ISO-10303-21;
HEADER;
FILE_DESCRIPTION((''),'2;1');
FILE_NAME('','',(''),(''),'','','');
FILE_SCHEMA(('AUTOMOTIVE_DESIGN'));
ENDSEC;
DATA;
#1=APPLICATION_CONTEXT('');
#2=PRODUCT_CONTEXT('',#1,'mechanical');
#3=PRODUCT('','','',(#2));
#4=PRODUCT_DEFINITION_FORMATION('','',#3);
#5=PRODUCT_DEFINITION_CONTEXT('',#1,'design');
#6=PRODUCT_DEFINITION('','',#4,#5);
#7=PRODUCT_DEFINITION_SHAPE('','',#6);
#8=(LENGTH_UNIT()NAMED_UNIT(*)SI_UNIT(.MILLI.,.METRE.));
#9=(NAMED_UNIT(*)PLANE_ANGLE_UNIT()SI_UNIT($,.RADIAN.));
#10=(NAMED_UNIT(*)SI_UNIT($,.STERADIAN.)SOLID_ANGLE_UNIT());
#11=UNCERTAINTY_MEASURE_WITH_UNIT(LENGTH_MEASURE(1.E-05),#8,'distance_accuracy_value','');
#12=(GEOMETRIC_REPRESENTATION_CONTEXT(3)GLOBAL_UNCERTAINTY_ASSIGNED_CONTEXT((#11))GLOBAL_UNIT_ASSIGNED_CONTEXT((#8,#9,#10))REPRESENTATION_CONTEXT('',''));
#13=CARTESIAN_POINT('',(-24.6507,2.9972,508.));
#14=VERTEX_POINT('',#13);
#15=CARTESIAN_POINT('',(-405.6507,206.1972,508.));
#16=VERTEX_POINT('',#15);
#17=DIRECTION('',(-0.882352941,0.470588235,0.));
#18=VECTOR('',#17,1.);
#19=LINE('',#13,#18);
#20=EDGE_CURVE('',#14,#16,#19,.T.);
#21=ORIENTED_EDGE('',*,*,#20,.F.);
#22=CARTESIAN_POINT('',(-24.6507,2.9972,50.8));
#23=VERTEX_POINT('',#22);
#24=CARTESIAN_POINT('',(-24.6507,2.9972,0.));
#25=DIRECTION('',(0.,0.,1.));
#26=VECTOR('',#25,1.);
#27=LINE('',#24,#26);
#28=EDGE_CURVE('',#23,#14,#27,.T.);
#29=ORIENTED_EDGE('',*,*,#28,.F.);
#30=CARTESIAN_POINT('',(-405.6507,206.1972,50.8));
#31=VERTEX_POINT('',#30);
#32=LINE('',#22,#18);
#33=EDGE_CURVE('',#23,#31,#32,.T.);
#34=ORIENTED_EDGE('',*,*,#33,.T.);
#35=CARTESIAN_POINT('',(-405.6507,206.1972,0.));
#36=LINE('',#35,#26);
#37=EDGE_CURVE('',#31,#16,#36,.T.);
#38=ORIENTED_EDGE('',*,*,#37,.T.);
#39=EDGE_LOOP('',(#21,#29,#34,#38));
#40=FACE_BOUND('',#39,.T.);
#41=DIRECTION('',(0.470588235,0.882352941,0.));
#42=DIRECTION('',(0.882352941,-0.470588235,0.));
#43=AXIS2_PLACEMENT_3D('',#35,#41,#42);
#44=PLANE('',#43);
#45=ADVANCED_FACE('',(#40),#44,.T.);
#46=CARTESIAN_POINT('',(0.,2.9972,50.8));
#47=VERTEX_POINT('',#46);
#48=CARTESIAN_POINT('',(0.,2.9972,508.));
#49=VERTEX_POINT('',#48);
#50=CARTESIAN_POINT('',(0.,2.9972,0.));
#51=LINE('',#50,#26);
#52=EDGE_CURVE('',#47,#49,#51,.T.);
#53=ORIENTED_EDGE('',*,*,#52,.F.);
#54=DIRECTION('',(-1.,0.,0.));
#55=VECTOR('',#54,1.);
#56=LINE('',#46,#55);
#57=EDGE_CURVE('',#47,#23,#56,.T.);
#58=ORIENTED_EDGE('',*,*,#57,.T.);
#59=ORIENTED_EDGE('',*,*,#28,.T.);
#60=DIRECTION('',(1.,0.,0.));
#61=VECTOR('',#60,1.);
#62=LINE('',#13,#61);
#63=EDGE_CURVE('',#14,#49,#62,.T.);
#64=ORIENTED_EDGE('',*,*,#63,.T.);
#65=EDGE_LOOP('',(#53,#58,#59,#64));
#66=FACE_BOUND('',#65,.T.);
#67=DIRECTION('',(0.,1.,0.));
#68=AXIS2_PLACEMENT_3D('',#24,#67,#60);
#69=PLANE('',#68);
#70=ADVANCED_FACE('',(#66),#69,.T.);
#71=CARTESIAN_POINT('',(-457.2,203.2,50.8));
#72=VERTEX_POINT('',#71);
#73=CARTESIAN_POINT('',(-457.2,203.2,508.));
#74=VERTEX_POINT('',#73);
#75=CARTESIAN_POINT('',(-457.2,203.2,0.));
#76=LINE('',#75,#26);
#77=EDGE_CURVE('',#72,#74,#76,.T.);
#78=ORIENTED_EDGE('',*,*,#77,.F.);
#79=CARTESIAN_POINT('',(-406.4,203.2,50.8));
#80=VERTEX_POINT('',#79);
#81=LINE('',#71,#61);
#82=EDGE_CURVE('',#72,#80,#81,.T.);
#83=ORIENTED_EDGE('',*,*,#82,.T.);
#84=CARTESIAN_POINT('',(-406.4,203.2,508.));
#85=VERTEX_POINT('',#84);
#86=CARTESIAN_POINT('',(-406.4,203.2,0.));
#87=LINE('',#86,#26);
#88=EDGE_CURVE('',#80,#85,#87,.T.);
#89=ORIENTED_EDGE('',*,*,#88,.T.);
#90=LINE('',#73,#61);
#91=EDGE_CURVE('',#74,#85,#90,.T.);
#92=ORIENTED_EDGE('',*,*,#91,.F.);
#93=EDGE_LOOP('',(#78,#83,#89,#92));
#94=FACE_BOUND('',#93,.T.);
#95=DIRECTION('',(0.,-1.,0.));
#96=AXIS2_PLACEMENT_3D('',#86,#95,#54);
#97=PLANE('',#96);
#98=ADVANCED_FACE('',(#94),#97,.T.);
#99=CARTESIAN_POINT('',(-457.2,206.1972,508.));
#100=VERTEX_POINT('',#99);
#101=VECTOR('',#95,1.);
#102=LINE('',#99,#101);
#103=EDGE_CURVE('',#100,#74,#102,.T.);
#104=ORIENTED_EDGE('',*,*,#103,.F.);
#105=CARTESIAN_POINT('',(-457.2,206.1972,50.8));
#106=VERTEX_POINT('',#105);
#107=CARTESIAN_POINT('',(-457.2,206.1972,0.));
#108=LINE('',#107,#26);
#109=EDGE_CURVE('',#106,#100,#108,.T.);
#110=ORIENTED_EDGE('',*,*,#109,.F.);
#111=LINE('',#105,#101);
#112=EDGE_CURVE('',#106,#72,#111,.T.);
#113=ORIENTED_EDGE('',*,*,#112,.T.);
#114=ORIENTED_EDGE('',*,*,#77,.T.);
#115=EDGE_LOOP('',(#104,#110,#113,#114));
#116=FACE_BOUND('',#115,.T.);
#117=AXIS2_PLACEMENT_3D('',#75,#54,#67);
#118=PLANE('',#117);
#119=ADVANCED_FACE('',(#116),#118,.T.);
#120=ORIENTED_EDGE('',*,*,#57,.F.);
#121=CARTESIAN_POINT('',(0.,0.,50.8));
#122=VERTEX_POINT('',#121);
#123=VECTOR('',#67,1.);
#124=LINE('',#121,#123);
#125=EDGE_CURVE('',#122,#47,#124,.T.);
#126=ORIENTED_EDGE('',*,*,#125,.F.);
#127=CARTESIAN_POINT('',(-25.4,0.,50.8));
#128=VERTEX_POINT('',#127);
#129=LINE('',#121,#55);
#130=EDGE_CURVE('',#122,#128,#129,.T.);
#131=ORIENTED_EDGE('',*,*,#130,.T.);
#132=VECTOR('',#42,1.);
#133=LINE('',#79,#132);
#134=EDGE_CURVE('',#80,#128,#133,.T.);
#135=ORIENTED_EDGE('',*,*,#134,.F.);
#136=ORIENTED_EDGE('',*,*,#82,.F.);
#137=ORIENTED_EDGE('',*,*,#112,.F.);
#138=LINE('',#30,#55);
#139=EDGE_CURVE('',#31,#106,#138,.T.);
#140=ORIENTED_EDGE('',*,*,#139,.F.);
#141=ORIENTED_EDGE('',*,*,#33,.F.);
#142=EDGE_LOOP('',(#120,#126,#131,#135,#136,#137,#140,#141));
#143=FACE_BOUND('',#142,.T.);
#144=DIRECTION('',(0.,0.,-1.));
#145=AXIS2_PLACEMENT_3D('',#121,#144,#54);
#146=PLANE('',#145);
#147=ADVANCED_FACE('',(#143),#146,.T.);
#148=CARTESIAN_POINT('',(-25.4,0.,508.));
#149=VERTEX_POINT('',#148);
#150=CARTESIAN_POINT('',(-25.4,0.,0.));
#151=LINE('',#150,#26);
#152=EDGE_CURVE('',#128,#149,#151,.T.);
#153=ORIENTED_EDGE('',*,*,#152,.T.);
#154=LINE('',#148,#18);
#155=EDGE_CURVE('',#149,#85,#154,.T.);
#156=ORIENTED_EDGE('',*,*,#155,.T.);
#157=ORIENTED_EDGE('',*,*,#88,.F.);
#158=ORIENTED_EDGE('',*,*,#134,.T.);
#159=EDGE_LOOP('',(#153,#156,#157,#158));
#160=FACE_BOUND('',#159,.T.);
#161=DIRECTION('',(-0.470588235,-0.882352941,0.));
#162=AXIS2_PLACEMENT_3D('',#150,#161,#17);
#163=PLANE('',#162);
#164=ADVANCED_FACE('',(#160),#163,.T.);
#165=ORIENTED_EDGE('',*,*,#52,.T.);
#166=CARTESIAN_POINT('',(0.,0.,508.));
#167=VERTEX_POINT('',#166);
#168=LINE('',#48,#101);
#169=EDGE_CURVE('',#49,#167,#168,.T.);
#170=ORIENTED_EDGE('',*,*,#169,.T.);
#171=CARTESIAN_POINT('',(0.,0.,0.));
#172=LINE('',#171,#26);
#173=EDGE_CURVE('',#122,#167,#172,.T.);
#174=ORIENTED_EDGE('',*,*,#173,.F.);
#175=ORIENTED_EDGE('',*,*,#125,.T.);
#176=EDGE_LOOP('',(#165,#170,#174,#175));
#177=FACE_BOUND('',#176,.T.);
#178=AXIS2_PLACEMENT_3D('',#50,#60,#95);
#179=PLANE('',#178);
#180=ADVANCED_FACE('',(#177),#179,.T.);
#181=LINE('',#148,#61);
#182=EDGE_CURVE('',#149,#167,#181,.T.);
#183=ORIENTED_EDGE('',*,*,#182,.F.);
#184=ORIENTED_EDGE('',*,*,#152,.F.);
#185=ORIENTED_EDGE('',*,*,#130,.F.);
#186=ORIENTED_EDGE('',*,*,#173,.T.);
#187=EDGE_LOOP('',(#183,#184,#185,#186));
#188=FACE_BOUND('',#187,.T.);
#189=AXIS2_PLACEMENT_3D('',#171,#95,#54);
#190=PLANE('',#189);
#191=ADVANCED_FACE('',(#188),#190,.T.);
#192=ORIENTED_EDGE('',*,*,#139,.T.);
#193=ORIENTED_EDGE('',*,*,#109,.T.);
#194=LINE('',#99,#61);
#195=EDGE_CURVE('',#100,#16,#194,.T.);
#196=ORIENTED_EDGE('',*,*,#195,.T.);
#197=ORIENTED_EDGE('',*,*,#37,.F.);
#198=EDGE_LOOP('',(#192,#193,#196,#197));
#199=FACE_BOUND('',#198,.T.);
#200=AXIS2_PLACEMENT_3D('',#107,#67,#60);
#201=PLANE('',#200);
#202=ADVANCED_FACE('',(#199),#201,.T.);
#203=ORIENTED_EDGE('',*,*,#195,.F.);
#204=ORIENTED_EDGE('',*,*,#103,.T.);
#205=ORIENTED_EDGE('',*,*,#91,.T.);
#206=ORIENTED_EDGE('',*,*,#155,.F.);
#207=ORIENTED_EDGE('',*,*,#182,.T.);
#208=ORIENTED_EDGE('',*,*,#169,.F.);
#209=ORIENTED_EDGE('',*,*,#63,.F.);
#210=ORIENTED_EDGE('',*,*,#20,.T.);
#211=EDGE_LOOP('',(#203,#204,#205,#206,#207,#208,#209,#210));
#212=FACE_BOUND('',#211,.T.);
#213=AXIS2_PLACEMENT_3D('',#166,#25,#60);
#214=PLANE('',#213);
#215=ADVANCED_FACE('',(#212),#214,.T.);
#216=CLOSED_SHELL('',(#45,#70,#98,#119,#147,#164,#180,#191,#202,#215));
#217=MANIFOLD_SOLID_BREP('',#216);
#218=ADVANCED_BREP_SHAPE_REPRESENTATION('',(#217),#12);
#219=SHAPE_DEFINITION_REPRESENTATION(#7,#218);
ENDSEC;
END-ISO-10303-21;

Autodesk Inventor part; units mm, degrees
ref_plane "YZ Plane" through (0, 0, 0) normal (1, 0, 0) x (0, 1, 0)
ref_plane "XZ Plane" through (0, 0, 0) normal (0, 1, 0) x (-1, 0, 0)
ref_plane "XY Plane" through (0, 0, 0) normal (0, 0, 1) x (1, 0, 0)
sketch "Sketch1" plane through (0, 0, 0) normal (0, 0, 1) x (1, 0, 0)
  line L0 (0, 0) -> (-25.4, 0)
  line L1 (-25.4, 0) -> (-406.4, 203.2)
  line L2 (-406.4, 203.2) -> (-457.2, 203.2)
  line L3 (-457.2, 203.2) -> (-457.2, 206.1972)
  line L4 (-457.2, 206.1972) -> (-405.6507, 206.1972)
  line L5 (-405.6507, 206.1972) -> (-24.6507, 2.9972)
  line L6 (-24.6507, 2.9972) -> (0, 2.9972)
  line L7 (0, 2.9972) -> (0, 0)
  line L8 (-406.4, 203.2) -> (-405.6507, 206.1972) construction
  line L9 (-24.6507, 2.9972) -> (-25.4, 0) construction
  line L10 (0, 0) -> (-457.2, 0) construction
  line L11 (-457.2, 0) -> (-457.2, 206.1972) construction
  line L12 (-457.2, 206.1972) -> (0, 206.1972) construction
  line L13 (0, 206.1972) -> (0, 0) construction
  line L14 (-406.4, 203.2) -> (-449.1958, 32.0169) construction
  dimension "d0" = 2.9972
  dimension "d1" = 2.9972
  dimension "d2" = 381
  dimension "d3" = 203.2
  dimension "d5" = 50.8
  dimension "d6" = 25.4
  dimension "d7" = 151.928
extrude "Extrusion1" add sketch "Sketch1" along normal blind 558.8
sketch "Sketch2" plane through (0, 0, 558.8) normal (0, 0, 1) x (1, 0, 0)
  line L0 (-25.4, 0) -> (0, 0) projected
  line L1 (0, 0) -> (-25.4, 0)
  line L2 (-457.2, 203.2) -> (-406.4, 203.2) projected
  line L3 (-25.4, 0) -> (-406.4, 203.2)
  line L4 (-406.4, 203.2) -> (-457.2, 203.2)
  line L5 (-457.2, 206.1972) -> (-457.2, 203.2) projected
  line L6 (-457.2, 203.2) -> (-457.2, 206.1972)
  line L7 (-24.6507, 2.9972) -> (-405.6507, 206.1972) projected
  line L8 (-457.2, 206.1972) -> (-405.6507, 206.1972)
  line L9 (-405.6507, 206.1972) -> (-24.6507, 2.9972)
  line L10 (-24.6507, 2.9972) -> (0, 2.9972)
  line L11 (0, 2.9972) -> (0, 0)
extrude "Extrusion2" cut sketch "Sketch2" against normal blind 50.8
sketch "Sketch3" plane through (0, 0, 0) normal (0, 0, -1) x (-1, 0, 0)
  line L0 (406.4, 203.2) -> (25.4, 0) projected
  line L1 (0, 0) -> (25.4, 0)
  line L2 (25.4, 0) -> (406.4, 203.2)
  line L3 (457.2, 203.2) -> (406.4, 203.2) projected
  line L4 (406.4, 203.2) -> (457.2, 203.2)
  line L5 (457.2, 206.1972) -> (457.2, 203.2) projected
  line L6 (457.2, 203.2) -> (457.2, 206.1972)
  line L7 (405.6507, 206.1972) -> (457.2, 206.1972) projected
  line L8 (457.2, 206.1972) -> (405.6507, 206.1972)
  line L9 (24.6507, 2.9972) -> (405.6507, 206.1972) projected
  line L10 (405.6507, 206.1972) -> (24.6507, 2.9972)
  line L11 (0, 2.9972) -> (24.6507, 2.9972) projected
  line L12 (24.6507, 2.9972) -> (0, 2.9972)
  line L13 (0, 0) -> (0, 2.9972) projected
  line L14 (0, 2.9972) -> (0, 0)
extrude "Extrusion3" cut sketch "Sketch3" against normal blind 50.8
properties part number "Bottom Lexan Shield for Balls" material "Polycarbonate, Clear"
